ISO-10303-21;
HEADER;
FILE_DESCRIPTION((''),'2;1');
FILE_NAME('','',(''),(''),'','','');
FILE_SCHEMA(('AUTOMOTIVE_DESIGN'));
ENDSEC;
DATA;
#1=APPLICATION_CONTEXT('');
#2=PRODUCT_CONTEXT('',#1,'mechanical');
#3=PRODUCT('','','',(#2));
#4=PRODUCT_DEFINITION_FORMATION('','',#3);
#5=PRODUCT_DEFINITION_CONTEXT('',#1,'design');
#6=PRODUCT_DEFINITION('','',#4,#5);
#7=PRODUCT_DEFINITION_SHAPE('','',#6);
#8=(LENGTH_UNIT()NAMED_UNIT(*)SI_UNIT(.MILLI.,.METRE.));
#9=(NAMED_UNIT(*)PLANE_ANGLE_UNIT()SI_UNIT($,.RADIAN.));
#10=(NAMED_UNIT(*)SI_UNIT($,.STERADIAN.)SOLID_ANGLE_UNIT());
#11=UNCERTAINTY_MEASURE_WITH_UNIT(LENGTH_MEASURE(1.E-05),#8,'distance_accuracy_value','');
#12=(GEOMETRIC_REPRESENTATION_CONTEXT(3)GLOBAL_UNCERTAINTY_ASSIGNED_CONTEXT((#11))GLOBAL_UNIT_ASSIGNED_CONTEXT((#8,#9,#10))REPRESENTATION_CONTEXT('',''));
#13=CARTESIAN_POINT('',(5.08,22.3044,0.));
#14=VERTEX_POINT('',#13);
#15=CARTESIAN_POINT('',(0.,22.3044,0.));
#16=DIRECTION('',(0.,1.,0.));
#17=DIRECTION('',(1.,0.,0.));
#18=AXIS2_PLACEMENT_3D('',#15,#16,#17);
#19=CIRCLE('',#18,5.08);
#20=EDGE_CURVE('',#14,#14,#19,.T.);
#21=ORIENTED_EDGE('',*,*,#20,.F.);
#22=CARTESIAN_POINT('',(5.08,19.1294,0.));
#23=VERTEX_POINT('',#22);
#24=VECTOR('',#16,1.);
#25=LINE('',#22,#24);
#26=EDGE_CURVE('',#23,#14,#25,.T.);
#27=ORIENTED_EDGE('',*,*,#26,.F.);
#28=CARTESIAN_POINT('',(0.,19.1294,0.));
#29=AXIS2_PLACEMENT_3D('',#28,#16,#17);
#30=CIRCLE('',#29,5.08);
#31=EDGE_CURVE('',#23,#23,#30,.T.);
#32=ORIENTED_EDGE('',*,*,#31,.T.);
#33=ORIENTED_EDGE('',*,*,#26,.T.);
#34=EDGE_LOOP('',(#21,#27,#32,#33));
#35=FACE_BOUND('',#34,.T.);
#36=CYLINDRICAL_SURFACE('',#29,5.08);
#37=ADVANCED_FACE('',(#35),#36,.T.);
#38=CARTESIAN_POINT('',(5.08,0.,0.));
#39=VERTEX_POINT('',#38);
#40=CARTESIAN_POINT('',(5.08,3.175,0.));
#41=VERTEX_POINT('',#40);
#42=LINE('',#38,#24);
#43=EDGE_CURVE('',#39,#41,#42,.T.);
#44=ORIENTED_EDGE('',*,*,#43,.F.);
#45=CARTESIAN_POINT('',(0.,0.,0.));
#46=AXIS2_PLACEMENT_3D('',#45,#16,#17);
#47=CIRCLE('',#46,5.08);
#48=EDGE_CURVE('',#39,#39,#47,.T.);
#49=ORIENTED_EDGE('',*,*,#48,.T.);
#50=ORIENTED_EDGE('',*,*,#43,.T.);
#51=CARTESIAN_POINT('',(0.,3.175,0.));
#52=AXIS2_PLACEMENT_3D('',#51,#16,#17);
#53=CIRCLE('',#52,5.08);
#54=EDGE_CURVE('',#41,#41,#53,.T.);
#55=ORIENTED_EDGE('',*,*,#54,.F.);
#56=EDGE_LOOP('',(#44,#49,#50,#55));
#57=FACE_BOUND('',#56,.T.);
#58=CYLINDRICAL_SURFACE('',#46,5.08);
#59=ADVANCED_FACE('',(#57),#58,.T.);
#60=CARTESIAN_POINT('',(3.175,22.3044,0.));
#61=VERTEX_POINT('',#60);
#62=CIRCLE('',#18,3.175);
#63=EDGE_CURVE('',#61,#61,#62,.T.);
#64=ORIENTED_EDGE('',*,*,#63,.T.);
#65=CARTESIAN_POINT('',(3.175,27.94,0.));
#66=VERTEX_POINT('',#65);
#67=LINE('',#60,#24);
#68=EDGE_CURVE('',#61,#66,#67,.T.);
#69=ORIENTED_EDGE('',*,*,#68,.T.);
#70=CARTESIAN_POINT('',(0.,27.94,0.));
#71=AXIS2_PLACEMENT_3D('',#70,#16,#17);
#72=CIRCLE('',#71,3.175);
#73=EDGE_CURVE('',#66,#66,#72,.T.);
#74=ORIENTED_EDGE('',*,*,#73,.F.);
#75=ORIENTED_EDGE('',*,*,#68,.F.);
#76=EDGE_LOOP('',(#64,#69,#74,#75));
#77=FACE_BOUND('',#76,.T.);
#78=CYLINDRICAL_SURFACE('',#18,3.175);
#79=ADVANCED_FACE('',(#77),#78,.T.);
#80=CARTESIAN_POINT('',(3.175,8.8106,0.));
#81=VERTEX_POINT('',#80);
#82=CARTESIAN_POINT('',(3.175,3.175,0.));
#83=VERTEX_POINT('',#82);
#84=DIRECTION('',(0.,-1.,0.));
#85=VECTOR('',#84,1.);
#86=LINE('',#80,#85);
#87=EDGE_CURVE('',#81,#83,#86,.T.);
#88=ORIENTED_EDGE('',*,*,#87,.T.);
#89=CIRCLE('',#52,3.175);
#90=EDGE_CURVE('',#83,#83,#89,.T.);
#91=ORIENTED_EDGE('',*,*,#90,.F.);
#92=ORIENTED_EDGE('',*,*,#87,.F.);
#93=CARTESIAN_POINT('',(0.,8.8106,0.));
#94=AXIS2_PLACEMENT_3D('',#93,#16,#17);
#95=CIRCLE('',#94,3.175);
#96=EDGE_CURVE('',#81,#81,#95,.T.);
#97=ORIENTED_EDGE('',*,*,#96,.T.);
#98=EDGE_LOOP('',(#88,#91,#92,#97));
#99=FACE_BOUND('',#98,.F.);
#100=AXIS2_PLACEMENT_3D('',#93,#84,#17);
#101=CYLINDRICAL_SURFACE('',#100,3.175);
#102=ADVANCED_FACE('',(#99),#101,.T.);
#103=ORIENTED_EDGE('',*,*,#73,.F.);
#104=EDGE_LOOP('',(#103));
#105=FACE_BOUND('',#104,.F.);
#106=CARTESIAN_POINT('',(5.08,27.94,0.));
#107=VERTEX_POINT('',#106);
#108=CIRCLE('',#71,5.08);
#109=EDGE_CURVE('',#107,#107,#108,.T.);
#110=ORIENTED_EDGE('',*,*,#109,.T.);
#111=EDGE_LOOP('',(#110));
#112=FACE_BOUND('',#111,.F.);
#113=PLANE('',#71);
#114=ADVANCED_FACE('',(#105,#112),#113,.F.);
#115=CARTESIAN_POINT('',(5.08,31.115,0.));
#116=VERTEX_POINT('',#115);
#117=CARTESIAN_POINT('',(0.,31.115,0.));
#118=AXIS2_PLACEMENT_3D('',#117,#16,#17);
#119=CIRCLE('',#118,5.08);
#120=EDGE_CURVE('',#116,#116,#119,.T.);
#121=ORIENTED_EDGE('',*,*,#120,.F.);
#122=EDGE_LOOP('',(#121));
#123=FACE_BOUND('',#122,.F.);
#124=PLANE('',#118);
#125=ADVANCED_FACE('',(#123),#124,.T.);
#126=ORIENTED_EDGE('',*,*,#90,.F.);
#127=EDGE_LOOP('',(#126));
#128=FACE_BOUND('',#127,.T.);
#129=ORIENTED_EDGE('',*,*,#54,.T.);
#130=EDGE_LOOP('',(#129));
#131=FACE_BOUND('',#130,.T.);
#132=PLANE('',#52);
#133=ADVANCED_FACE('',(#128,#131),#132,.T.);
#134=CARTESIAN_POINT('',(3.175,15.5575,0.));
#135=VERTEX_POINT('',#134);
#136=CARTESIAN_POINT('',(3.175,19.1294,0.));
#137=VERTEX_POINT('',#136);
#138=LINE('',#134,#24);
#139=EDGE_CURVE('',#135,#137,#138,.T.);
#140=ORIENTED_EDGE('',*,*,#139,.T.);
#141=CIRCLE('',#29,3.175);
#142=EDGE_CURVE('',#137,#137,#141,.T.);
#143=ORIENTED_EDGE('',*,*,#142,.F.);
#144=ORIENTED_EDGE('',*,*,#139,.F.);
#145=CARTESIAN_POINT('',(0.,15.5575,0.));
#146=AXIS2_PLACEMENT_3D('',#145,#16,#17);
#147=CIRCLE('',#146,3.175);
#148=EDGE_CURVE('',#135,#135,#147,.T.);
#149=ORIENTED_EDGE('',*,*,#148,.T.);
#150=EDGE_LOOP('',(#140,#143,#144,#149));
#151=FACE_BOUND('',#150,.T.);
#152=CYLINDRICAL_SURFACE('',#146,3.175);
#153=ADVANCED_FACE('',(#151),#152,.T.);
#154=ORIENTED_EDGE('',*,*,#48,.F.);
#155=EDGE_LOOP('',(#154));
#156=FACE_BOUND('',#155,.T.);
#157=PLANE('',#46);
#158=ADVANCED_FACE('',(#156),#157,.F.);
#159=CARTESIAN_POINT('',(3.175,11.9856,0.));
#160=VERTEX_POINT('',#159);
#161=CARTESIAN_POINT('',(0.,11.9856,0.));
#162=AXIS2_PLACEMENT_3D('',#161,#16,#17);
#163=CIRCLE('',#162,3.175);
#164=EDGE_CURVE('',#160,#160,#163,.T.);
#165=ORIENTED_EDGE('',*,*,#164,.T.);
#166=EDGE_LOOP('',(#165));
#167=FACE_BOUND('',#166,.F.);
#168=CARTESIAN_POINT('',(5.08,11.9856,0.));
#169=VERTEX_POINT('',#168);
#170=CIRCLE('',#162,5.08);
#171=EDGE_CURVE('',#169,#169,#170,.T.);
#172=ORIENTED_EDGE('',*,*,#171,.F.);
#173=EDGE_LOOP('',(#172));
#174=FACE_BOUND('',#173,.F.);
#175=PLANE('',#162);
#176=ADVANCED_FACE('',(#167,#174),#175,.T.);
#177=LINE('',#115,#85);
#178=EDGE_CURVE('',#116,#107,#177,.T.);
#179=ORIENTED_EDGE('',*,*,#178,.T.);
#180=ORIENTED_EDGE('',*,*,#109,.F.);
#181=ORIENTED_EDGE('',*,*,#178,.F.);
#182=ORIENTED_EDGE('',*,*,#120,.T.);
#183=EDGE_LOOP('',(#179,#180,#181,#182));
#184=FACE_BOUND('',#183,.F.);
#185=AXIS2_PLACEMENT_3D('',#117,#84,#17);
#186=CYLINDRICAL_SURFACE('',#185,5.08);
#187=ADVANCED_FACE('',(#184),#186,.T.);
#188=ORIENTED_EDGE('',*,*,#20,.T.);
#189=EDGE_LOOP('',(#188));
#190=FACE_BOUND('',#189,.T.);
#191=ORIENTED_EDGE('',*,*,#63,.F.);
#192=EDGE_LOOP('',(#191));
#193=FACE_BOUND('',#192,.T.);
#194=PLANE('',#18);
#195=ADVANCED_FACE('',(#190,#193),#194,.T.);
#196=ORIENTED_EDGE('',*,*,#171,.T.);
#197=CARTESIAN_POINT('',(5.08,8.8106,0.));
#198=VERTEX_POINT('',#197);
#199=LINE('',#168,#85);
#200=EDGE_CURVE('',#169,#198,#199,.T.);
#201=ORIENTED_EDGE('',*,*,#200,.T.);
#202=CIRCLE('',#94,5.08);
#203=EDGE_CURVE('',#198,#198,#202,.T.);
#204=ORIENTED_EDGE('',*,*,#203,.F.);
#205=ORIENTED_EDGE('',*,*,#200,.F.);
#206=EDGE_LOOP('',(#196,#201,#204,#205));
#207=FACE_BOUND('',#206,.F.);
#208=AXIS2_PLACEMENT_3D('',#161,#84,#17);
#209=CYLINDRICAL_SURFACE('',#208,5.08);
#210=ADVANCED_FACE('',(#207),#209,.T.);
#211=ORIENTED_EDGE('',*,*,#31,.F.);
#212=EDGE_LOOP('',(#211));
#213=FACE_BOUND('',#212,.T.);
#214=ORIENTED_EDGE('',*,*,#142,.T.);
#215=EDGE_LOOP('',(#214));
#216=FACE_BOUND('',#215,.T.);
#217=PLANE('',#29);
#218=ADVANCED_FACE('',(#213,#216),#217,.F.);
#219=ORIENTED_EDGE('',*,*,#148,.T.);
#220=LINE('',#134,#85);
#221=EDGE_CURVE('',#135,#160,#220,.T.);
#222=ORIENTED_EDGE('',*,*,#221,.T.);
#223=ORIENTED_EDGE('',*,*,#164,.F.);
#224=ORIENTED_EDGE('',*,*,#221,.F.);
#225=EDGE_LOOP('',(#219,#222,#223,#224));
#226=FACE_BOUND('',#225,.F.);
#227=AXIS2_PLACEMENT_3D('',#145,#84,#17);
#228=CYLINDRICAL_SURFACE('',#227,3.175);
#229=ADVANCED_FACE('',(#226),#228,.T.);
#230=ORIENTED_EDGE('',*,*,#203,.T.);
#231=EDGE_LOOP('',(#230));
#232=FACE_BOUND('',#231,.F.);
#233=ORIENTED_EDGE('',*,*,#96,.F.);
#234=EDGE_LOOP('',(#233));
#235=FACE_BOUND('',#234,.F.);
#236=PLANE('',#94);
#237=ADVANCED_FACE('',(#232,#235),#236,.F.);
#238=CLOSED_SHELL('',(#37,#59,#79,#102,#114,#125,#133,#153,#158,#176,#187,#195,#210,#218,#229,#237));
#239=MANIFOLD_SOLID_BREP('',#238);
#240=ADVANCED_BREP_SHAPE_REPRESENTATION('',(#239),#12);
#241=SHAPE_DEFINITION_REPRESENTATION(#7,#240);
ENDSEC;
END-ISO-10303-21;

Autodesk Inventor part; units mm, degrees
ref_plane "YZ Plane" through (0, 0, 0) normal (1, 0, 0) x (0, 1, 0)
ref_plane "XZ Plane" through (0, 0, 0) normal (0, 1, 0) x (-1, 0, 0)
ref_plane "XY Plane" through (0, 0, 0) normal (0, 0, 1) x (1, 0, 0)
sketch "Sketch1" plane through (0, 0, 0) normal (0, 0, 1) x (1, 0, 0)
  line L0 (0, 0) -> (0, 31.115)
  line L1 (0, 31.115) -> (5.08, 31.115)
  line L2 (5.08, 31.115) -> (5.08, 27.94)
  line L3 (5.08, 27.94) -> (3.175, 27.94)
  line L4 (3.175, 15.5575) -> (3.175, 19.1294)
  line L5 (3.175, 19.1294) -> (5.08, 19.1294)
  line L6 (5.08, 19.1294) -> (5.08, 22.3044)
  line L7 (5.08, 22.3044) -> (3.175, 22.3044)
  line L8 (3.175, 15.5575) -> (3.175, 19.1294)
  line L9 (3.175, 22.3044) -> (3.175, 27.94)
  line L10 (0, 0) -> (5.08, 0)
  line L11 (5.08, 0) -> (5.08, 3.175)
  line L12 (5.08, 3.175) -> (3.175, 3.175)
  line L13 (3.175, 15.5575) -> (3.175, 11.9856)
  line L14 (3.175, 11.9856) -> (5.08, 11.9856)
  line L15 (5.08, 11.9856) -> (5.08, 8.8106)
  line L16 (5.08, 8.8106) -> (3.175, 8.8106)
  line L17 (3.175, 15.5575) -> (3.175, 11.9856)
  line L18 (3.175, 8.8106) -> (3.175, 3.175)
  dimension "d0" = 31.115
  dimension "d1" = 5.08
  dimension "d2" = 3.175
  dimension "d5" = 3.175
revolve "Revolution1" add sketch "Sketch1" angle 360 about axis through (0, 0, 0) along (0, 1, 0)
properties part number "Wrist Pin"
